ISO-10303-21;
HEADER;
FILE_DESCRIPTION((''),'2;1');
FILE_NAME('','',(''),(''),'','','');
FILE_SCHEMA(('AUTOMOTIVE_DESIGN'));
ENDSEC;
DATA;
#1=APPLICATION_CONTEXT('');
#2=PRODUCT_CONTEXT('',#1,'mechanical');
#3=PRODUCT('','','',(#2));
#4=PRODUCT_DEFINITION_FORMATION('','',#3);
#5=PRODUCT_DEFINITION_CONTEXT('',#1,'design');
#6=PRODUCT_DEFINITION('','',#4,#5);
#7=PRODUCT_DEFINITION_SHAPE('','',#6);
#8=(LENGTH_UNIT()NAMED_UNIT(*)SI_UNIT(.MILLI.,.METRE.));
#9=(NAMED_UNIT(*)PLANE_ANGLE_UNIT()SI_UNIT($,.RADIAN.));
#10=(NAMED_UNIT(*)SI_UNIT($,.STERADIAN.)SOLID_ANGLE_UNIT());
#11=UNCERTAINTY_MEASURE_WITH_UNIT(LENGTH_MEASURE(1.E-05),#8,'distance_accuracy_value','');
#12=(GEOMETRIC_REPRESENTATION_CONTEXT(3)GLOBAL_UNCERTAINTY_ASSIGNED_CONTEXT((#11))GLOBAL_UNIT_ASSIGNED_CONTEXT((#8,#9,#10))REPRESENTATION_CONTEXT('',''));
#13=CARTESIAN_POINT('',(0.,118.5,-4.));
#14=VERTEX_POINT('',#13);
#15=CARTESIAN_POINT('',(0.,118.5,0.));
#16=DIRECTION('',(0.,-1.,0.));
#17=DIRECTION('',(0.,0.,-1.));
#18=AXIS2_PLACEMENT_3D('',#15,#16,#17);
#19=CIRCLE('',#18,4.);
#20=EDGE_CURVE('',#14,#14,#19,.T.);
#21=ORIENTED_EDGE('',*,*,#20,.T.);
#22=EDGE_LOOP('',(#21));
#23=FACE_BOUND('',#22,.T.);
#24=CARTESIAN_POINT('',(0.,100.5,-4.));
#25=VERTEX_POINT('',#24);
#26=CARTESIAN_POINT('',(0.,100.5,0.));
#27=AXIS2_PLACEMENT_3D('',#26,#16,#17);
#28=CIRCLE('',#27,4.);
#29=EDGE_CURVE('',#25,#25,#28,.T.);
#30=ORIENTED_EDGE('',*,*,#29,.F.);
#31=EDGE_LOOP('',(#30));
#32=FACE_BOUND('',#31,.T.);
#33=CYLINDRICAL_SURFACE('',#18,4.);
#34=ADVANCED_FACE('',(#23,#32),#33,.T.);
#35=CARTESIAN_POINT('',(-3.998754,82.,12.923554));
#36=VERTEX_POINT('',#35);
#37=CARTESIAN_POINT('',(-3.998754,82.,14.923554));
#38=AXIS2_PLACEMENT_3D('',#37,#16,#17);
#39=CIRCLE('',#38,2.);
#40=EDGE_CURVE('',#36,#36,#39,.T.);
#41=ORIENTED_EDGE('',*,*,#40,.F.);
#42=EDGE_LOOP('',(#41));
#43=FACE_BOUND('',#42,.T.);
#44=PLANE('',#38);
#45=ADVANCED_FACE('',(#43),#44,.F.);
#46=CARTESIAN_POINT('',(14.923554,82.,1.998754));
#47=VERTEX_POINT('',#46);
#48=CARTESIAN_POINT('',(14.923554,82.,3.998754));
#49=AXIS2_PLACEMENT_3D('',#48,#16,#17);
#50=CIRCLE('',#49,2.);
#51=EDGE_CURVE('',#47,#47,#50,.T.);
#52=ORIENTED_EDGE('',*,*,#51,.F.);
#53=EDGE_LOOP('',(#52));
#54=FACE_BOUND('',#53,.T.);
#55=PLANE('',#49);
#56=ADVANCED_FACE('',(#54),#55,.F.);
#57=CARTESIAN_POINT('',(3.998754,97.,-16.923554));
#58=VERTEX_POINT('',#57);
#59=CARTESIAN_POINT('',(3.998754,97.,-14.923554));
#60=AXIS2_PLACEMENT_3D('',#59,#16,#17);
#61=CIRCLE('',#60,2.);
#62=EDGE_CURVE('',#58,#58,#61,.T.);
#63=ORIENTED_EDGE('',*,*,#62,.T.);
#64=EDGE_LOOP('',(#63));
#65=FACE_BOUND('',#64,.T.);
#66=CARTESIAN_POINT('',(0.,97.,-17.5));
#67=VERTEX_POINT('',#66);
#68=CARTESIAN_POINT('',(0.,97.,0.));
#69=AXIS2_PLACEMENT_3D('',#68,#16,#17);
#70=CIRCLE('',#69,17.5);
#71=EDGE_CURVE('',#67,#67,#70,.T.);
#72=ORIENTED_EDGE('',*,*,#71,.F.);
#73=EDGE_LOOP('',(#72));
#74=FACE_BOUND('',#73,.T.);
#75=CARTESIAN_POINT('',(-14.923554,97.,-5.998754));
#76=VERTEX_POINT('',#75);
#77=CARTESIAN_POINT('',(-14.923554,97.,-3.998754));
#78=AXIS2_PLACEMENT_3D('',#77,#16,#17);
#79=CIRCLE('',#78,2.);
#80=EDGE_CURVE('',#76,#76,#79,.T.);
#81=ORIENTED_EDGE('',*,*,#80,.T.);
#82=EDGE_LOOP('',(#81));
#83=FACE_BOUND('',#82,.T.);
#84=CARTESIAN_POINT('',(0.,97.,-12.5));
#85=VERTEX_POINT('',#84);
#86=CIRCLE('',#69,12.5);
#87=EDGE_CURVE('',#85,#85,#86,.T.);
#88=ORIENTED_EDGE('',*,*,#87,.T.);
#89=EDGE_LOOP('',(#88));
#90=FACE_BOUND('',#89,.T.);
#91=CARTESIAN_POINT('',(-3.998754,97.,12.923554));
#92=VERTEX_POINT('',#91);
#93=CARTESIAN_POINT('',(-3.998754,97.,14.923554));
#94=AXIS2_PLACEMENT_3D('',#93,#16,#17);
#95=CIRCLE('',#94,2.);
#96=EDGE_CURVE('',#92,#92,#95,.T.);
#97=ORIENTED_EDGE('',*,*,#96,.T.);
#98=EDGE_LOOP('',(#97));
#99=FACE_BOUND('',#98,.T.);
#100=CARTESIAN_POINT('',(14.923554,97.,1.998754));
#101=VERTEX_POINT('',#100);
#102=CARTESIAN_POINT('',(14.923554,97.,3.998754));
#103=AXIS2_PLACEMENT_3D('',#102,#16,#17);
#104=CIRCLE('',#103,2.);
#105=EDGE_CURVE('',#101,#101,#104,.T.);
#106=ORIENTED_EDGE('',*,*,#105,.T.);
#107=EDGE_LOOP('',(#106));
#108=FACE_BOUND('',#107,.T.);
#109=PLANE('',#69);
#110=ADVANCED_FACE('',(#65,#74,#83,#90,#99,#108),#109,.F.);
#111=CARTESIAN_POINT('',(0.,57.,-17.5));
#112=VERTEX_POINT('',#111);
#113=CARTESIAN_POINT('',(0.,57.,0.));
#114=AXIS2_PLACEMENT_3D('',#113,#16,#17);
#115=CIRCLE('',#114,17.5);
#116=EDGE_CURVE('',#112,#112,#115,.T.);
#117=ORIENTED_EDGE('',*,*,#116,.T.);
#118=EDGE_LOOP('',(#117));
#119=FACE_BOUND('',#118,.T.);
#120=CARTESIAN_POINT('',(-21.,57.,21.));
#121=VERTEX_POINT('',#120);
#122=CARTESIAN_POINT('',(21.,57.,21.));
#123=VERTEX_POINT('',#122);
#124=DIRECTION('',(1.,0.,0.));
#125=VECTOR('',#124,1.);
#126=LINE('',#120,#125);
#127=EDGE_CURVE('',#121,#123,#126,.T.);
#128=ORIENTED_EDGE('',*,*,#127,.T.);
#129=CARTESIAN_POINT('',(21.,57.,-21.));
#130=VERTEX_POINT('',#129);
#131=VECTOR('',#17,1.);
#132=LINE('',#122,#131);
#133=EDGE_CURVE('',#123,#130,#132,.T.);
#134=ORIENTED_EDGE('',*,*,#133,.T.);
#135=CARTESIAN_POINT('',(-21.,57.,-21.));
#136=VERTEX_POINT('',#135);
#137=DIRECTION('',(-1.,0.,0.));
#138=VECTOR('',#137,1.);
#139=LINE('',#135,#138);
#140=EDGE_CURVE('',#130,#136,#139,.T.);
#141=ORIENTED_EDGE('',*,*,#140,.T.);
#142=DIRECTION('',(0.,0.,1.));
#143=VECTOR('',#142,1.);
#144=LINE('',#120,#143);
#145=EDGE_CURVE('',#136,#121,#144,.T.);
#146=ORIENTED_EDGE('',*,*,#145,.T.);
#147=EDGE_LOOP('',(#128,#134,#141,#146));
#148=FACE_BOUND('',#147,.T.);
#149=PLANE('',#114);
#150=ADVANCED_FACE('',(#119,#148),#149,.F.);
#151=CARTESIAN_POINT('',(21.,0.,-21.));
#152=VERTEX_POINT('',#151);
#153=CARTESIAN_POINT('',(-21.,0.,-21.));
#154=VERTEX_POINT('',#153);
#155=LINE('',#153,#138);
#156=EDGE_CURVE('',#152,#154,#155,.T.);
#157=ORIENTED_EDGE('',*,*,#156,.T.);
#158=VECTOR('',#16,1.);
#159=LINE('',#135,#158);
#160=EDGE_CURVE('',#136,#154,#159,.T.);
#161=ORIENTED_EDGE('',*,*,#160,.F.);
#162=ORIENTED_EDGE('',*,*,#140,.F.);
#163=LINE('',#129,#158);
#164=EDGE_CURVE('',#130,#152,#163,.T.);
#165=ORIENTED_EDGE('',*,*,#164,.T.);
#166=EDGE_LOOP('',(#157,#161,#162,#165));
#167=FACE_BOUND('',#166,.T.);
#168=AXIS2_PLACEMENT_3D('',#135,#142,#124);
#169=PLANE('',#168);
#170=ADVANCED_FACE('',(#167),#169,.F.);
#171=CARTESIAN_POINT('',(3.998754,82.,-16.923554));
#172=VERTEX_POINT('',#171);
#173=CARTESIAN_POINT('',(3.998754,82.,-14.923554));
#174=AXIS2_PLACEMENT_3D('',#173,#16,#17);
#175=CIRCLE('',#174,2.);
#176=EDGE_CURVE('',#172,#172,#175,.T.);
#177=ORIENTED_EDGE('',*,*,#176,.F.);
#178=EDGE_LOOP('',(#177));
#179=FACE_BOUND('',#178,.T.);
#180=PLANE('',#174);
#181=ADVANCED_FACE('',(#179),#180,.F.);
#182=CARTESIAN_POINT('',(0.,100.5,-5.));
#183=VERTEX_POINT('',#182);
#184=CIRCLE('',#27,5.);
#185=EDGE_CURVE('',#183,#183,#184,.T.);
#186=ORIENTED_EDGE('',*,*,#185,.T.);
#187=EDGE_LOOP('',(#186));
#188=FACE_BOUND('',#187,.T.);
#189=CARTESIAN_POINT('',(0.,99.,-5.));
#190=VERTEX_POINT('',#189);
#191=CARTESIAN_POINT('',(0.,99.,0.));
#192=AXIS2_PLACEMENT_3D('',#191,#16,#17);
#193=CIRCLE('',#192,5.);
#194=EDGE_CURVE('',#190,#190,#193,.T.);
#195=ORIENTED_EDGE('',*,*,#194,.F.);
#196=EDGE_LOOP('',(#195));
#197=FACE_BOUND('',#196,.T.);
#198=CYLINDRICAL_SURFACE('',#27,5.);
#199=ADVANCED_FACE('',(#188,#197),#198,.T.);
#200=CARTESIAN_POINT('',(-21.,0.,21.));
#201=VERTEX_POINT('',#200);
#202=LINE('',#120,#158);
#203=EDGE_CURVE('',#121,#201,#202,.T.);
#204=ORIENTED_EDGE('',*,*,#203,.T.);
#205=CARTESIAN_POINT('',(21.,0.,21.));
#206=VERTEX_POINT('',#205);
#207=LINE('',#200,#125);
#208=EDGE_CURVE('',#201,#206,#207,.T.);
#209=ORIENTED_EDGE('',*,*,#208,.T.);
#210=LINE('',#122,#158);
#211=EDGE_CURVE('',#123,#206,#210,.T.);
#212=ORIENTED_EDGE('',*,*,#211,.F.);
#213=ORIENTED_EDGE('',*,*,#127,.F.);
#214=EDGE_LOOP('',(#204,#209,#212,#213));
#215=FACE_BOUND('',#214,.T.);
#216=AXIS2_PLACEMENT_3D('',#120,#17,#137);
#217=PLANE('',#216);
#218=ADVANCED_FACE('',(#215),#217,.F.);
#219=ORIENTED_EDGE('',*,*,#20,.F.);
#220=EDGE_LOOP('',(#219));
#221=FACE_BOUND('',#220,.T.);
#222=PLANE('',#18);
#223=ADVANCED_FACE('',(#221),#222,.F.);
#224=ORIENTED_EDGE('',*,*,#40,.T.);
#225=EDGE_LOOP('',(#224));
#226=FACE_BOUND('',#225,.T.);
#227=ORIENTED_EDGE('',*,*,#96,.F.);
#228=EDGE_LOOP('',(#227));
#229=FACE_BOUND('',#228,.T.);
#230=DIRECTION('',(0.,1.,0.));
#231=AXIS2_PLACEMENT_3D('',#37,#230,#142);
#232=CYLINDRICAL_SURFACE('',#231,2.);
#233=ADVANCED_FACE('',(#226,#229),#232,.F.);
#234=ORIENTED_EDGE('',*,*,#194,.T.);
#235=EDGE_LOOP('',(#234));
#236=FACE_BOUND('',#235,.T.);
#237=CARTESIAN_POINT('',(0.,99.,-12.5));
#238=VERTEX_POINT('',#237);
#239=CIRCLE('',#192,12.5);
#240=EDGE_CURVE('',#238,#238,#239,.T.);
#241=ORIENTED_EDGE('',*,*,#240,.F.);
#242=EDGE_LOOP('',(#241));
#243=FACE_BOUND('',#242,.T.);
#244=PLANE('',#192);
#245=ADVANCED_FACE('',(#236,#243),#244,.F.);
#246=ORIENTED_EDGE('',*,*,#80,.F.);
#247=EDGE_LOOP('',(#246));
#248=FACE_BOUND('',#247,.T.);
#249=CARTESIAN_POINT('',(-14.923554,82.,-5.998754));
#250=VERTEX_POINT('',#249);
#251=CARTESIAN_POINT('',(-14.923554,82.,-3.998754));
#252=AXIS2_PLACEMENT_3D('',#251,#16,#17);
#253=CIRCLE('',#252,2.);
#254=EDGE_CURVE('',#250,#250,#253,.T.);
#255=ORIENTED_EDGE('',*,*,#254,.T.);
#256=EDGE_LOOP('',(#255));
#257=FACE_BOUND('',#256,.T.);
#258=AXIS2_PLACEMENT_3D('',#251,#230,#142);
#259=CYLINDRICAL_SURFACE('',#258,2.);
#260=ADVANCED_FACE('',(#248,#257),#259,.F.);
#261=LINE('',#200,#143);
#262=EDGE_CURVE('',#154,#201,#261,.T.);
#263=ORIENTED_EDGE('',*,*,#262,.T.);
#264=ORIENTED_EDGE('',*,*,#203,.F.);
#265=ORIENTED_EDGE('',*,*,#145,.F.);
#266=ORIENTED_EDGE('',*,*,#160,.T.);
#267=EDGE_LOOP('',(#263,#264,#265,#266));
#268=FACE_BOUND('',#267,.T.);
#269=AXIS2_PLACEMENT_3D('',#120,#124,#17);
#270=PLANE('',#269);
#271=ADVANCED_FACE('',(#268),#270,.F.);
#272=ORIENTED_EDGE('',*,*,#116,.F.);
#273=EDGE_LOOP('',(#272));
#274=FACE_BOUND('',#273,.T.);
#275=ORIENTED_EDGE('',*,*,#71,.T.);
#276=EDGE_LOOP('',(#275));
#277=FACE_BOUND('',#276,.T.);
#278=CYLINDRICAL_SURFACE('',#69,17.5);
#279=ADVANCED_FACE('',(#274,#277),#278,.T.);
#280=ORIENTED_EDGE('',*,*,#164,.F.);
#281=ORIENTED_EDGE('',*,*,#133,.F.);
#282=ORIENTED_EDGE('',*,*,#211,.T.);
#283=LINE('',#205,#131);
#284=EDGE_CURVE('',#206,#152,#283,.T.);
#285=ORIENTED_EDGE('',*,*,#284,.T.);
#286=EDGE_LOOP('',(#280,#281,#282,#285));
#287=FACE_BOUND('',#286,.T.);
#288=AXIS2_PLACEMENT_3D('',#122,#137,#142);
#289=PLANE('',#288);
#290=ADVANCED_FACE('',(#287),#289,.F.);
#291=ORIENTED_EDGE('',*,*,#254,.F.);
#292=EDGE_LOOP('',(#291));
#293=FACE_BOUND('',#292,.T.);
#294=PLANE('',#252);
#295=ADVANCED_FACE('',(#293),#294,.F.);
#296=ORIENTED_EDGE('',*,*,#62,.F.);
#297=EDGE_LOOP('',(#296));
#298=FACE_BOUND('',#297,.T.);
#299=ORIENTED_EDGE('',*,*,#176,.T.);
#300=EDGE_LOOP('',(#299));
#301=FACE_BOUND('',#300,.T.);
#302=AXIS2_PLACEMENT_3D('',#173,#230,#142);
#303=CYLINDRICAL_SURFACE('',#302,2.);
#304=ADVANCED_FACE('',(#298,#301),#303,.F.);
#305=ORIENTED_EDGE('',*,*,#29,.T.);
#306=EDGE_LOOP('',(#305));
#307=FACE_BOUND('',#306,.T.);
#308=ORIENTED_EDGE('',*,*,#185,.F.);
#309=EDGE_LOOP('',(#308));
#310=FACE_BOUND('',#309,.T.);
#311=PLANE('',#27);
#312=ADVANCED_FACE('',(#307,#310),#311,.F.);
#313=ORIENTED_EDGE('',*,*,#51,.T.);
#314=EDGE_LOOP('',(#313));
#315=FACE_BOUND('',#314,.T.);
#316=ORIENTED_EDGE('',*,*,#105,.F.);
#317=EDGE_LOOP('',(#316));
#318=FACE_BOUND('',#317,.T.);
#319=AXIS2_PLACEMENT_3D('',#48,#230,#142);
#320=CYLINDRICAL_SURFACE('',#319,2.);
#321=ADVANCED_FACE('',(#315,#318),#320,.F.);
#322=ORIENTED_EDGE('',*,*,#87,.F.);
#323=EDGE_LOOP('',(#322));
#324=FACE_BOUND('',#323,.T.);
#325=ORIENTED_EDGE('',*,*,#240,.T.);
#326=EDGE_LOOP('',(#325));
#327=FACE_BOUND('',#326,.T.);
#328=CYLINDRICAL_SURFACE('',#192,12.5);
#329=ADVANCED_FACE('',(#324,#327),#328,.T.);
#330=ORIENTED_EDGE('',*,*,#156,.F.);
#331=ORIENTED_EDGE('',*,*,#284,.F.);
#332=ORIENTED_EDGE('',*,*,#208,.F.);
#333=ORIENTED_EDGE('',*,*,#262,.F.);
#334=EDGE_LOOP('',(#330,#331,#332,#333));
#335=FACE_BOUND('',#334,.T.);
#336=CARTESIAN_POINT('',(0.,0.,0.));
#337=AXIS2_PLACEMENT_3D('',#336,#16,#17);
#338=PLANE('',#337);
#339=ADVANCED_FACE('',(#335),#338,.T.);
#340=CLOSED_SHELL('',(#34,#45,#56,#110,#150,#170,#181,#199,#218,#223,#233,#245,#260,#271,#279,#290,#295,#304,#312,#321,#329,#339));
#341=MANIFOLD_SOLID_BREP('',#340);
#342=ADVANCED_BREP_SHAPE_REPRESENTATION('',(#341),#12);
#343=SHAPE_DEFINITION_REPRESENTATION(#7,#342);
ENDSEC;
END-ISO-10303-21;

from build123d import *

# Parameters (mm, degrees)
SKETCH_1_W          = 42
SKETCH_1_H          = 42
EXTRUDE_1_DEPTH     = 57
EXTRUDE_START       = 57
SKETCH_2_R          = 17.5
EXTRUDE_2_DEPTH     = 40
EXTRUDE_START_2     = 97
SKETCH_3_R          = 12.5
EXTRUDE_3_DEPTH     = 2
EXTRUDE_START_3     = 99
SKETCH_4_R          = 5
EXTRUDE_4_DEPTH     = 1.5
EXTRUDE_START_4     = 100.5
SKETCH_5_R          = 4
EXTRUDE_5_DEPTH     = 18
CUT_EXTRUDE_START   = 97
SKETCH_6_R          = 2
CUT_EXTRUDE_2_DEPTH = 15


with BuildPart() as part:
    # 草图1 → 凸台-拉伸1 (new body)
    with BuildSketch(Plane(origin=(0, 0, 0), x_dir=(1, 0, 0), z_dir=(0, 1, 0))):
        Rectangle(SKETCH_1_W, SKETCH_1_H)
    extrude(amount=EXTRUDE_1_DEPTH)

    # 草图2 → 凸台-拉伸2 (add)
    with BuildSketch(Plane(origin=(0, 0, 0), x_dir=(1, 0, 0), z_dir=(0, 1, 0)).offset(EXTRUDE_START)):
        with Locations(Location((0, 0, 0), (0, 0, 90))):
            Circle(SKETCH_2_R)
    extrude(amount=EXTRUDE_2_DEPTH)

    # 草图3 → 凸台-拉伸3 (add)
    with BuildSketch(Plane(origin=(0, 0, 0), x_dir=(1, 0, 0), z_dir=(0, 1, 0)).offset(EXTRUDE_START_2)):
        with Locations(Location((0, 0, 0), (0, 0, 90))):
            Circle(SKETCH_3_R)
    extrude(amount=EXTRUDE_3_DEPTH)

    # 草图4 → 凸台-拉伸4 (add)
    with BuildSketch(Plane(origin=(0, 0, 0), x_dir=(1, 0, 0), z_dir=(0, 1, 0)).offset(EXTRUDE_START_3)):
        with Locations(Location((0, 0, 0), (0, 0, 90))):
            Circle(SKETCH_4_R)
    extrude(amount=EXTRUDE_4_DEPTH)

    # 草图5 → 凸台-拉伸5 (add)
    with BuildSketch(Plane(origin=(0, 0, 0), x_dir=(1, 0, 0), z_dir=(0, 1, 0)).offset(EXTRUDE_START_4)):
        with Locations(Location((0, 0, 0), (0, 0, 90))):
            Circle(SKETCH_5_R)
    extrude(amount=EXTRUDE_5_DEPTH)

    # 草图6 → 切除-拉伸2 (cut)
    with BuildSketch(Plane(origin=(0, 0, 0), x_dir=(1, 0, 0), z_dir=(0, 1, 0)).offset(CUT_EXTRUDE_START)):
        with Locations(Location((3.998754247, 14.923554016, 0), (0, 0, 90))):
            Circle(SKETCH_6_R)
        with Locations(Location((14.923554016, -3.998754247, 0), (0, 0, 90))):
            Circle(SKETCH_6_R)
        with Locations(Location((-3.998754247, -14.923554016, 0), (0, 0, 90))):
            Circle(SKETCH_6_R)
        with Locations(Location((-14.923554016, 3.998754247, 0), (0, 0, 90))):
            Circle(SKETCH_6_R)
    extrude(amount=-CUT_EXTRUDE_2_DEPTH, mode=Mode.SUBTRACT)


solid = part.part
